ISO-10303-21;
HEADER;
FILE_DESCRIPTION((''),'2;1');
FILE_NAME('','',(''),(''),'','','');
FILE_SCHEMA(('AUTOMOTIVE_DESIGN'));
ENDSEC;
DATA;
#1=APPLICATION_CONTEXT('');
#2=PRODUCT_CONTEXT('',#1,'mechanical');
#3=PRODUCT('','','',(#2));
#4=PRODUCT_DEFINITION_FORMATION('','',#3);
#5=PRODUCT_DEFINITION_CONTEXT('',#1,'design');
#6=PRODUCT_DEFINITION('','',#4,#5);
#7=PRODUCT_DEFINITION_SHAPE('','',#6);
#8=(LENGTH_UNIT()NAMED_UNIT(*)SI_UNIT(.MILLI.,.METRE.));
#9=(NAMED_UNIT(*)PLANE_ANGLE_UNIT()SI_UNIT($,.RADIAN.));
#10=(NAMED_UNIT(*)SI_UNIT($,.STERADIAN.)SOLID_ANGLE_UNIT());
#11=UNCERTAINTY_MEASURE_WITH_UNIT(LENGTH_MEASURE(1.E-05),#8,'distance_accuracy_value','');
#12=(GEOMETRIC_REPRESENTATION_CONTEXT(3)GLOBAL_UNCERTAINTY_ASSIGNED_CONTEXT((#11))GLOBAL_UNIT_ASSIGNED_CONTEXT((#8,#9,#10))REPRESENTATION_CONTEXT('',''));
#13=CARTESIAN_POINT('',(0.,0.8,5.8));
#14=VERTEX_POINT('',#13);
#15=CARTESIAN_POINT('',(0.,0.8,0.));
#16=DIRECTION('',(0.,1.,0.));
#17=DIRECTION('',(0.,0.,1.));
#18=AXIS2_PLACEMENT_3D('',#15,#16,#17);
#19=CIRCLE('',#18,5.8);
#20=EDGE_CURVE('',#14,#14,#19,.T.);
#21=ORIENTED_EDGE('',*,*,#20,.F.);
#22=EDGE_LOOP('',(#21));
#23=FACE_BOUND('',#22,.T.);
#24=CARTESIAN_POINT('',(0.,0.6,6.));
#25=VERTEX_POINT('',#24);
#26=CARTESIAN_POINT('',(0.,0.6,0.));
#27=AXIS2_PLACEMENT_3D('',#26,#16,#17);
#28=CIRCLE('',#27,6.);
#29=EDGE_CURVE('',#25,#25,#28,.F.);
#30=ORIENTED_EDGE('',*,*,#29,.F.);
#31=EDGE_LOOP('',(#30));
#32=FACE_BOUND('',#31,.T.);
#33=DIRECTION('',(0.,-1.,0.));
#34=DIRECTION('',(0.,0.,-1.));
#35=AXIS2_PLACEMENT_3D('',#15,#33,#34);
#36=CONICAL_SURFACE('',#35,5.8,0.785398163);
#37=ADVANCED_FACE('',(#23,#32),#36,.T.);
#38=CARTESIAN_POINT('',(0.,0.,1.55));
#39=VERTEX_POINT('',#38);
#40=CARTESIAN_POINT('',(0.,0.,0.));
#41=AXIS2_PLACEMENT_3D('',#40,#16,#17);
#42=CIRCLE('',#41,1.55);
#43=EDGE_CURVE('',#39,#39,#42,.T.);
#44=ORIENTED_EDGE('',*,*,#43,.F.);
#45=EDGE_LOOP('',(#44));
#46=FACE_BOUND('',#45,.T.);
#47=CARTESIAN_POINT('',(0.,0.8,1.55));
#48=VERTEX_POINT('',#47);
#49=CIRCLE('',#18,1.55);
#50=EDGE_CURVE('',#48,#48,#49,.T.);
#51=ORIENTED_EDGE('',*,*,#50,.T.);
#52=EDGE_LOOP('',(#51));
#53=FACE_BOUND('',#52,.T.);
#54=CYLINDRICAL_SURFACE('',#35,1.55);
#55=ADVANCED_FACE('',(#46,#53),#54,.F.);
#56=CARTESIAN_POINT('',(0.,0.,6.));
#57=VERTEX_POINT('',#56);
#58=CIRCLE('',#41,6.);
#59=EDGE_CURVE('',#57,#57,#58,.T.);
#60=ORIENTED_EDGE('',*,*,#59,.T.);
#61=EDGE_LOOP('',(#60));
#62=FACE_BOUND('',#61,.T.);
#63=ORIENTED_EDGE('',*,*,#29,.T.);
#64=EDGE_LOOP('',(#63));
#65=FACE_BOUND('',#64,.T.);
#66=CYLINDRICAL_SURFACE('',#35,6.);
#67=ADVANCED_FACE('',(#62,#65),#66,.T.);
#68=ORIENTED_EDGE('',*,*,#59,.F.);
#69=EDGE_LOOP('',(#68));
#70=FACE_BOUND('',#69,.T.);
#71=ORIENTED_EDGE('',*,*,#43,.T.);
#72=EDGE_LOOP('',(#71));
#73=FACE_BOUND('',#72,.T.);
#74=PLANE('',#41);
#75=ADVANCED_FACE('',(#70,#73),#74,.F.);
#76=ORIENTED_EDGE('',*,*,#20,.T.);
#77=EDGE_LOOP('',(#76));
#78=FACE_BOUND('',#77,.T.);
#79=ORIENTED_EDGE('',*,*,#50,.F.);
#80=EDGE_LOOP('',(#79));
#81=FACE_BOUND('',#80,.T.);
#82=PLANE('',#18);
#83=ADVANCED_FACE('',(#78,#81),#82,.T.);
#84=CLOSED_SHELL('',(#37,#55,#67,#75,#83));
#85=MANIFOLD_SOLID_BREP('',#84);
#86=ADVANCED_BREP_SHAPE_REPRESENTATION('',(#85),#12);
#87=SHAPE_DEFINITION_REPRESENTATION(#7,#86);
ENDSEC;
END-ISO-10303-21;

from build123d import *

# Parameters (mm, degrees)
SKETCH_1_R      = 6
SKETCH_1_R_2    = 1.55
EXTRUDE_1_DEPTH = 0.8
CHAMFER_1_SIZE  = 0.2


with BuildPart() as part:
    # 草图1 → 凸台-拉伸1 (new body)
    with BuildSketch(Plane(origin=(0, 0, 0), x_dir=(1, 0, 0), z_dir=(0, 1, 0))):
        Circle(SKETCH_1_R)
        Circle(SKETCH_1_R_2, mode=Mode.SUBTRACT)
    extrude(amount=EXTRUDE_1_DEPTH)

    # 倒角1
    chamfer_1_edges = [part.edges().sort_by_distance(p)[0] for p in [
        (-6, 0.8, 0),
    ]]
    chamfer(chamfer_1_edges, length=CHAMFER_1_SIZE)


solid = part.part
